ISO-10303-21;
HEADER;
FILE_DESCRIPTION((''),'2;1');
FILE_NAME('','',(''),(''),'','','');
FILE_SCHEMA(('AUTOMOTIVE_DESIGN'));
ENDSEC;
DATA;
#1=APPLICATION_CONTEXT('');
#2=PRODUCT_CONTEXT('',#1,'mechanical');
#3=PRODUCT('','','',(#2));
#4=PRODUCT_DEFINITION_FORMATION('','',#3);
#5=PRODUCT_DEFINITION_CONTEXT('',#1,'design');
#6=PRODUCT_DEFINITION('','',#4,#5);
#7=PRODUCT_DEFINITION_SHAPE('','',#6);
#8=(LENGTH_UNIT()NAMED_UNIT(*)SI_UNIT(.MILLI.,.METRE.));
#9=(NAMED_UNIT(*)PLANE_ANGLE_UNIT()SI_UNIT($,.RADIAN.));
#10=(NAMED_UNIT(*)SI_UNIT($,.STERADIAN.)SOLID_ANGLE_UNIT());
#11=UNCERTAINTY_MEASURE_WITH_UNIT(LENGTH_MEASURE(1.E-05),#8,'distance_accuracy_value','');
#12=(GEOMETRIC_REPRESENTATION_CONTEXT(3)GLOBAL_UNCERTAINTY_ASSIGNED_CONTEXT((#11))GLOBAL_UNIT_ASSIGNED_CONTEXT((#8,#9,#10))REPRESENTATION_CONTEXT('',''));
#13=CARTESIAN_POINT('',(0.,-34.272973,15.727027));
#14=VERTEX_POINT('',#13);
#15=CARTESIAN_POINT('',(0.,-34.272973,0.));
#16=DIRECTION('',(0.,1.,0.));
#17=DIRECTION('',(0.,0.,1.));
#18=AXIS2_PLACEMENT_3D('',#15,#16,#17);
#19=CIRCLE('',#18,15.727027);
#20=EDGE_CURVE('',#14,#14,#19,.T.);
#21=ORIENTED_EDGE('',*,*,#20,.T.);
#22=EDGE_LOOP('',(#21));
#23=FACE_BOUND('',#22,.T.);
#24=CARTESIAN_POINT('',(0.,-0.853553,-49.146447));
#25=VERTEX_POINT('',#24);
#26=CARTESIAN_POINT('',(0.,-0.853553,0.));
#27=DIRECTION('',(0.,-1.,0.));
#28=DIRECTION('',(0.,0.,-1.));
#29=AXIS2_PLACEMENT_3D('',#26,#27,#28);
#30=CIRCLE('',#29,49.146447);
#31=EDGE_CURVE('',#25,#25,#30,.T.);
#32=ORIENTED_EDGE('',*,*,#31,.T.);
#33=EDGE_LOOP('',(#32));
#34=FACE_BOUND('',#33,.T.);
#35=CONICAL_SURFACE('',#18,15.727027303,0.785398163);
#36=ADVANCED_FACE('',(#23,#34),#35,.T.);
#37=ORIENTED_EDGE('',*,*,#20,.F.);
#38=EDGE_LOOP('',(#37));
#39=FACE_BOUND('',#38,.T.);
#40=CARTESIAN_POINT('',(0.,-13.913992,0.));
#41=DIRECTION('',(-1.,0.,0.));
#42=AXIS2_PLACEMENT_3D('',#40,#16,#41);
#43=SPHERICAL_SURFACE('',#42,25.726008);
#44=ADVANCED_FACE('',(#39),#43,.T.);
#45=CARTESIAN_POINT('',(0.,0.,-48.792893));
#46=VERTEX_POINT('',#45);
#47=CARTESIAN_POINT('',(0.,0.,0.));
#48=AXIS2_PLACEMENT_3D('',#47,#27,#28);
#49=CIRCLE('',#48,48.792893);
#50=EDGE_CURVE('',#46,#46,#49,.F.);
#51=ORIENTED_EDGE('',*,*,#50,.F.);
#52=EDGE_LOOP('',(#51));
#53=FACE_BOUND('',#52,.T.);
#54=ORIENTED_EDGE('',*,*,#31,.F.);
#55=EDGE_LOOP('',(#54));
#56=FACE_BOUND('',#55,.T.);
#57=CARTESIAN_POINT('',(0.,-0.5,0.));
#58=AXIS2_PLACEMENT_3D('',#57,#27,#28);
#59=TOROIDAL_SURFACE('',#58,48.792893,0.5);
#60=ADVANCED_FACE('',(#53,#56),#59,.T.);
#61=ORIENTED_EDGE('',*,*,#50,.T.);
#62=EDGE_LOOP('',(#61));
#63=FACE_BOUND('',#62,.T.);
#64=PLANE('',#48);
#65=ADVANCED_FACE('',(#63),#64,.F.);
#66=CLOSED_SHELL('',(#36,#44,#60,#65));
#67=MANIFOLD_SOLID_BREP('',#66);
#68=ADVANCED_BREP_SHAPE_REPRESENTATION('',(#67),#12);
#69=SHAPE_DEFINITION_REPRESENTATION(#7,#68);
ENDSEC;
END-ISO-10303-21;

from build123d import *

# Parameters (mm, degrees)
FILLET3_R = 0.5


with BuildPart() as part:
    # Sketch1 → Revolve1 (revolve)
    with BuildSketch(Plane.XY):
        with BuildLine():
            Line((0, 0), (0, -39.64))
            ThreePointArc((0, -39.64), (8.30879609, -38.261299735), (15.727027303, -34.272972697))
            Line((15.727027303, -34.272972697), (50, 0))
            Line((50, 0), (0, 0))
        make_face()
    revolve(axis=Axis((0, 0, 0), (0, -1, 0)))

    # Fillet3
    fillet3_edges = [part.edges().sort_by_distance(p)[0] for p in [
        (-50, 0, 0),
    ]]
    fillet(fillet3_edges, radius=FILLET3_R)


solid = part.part
